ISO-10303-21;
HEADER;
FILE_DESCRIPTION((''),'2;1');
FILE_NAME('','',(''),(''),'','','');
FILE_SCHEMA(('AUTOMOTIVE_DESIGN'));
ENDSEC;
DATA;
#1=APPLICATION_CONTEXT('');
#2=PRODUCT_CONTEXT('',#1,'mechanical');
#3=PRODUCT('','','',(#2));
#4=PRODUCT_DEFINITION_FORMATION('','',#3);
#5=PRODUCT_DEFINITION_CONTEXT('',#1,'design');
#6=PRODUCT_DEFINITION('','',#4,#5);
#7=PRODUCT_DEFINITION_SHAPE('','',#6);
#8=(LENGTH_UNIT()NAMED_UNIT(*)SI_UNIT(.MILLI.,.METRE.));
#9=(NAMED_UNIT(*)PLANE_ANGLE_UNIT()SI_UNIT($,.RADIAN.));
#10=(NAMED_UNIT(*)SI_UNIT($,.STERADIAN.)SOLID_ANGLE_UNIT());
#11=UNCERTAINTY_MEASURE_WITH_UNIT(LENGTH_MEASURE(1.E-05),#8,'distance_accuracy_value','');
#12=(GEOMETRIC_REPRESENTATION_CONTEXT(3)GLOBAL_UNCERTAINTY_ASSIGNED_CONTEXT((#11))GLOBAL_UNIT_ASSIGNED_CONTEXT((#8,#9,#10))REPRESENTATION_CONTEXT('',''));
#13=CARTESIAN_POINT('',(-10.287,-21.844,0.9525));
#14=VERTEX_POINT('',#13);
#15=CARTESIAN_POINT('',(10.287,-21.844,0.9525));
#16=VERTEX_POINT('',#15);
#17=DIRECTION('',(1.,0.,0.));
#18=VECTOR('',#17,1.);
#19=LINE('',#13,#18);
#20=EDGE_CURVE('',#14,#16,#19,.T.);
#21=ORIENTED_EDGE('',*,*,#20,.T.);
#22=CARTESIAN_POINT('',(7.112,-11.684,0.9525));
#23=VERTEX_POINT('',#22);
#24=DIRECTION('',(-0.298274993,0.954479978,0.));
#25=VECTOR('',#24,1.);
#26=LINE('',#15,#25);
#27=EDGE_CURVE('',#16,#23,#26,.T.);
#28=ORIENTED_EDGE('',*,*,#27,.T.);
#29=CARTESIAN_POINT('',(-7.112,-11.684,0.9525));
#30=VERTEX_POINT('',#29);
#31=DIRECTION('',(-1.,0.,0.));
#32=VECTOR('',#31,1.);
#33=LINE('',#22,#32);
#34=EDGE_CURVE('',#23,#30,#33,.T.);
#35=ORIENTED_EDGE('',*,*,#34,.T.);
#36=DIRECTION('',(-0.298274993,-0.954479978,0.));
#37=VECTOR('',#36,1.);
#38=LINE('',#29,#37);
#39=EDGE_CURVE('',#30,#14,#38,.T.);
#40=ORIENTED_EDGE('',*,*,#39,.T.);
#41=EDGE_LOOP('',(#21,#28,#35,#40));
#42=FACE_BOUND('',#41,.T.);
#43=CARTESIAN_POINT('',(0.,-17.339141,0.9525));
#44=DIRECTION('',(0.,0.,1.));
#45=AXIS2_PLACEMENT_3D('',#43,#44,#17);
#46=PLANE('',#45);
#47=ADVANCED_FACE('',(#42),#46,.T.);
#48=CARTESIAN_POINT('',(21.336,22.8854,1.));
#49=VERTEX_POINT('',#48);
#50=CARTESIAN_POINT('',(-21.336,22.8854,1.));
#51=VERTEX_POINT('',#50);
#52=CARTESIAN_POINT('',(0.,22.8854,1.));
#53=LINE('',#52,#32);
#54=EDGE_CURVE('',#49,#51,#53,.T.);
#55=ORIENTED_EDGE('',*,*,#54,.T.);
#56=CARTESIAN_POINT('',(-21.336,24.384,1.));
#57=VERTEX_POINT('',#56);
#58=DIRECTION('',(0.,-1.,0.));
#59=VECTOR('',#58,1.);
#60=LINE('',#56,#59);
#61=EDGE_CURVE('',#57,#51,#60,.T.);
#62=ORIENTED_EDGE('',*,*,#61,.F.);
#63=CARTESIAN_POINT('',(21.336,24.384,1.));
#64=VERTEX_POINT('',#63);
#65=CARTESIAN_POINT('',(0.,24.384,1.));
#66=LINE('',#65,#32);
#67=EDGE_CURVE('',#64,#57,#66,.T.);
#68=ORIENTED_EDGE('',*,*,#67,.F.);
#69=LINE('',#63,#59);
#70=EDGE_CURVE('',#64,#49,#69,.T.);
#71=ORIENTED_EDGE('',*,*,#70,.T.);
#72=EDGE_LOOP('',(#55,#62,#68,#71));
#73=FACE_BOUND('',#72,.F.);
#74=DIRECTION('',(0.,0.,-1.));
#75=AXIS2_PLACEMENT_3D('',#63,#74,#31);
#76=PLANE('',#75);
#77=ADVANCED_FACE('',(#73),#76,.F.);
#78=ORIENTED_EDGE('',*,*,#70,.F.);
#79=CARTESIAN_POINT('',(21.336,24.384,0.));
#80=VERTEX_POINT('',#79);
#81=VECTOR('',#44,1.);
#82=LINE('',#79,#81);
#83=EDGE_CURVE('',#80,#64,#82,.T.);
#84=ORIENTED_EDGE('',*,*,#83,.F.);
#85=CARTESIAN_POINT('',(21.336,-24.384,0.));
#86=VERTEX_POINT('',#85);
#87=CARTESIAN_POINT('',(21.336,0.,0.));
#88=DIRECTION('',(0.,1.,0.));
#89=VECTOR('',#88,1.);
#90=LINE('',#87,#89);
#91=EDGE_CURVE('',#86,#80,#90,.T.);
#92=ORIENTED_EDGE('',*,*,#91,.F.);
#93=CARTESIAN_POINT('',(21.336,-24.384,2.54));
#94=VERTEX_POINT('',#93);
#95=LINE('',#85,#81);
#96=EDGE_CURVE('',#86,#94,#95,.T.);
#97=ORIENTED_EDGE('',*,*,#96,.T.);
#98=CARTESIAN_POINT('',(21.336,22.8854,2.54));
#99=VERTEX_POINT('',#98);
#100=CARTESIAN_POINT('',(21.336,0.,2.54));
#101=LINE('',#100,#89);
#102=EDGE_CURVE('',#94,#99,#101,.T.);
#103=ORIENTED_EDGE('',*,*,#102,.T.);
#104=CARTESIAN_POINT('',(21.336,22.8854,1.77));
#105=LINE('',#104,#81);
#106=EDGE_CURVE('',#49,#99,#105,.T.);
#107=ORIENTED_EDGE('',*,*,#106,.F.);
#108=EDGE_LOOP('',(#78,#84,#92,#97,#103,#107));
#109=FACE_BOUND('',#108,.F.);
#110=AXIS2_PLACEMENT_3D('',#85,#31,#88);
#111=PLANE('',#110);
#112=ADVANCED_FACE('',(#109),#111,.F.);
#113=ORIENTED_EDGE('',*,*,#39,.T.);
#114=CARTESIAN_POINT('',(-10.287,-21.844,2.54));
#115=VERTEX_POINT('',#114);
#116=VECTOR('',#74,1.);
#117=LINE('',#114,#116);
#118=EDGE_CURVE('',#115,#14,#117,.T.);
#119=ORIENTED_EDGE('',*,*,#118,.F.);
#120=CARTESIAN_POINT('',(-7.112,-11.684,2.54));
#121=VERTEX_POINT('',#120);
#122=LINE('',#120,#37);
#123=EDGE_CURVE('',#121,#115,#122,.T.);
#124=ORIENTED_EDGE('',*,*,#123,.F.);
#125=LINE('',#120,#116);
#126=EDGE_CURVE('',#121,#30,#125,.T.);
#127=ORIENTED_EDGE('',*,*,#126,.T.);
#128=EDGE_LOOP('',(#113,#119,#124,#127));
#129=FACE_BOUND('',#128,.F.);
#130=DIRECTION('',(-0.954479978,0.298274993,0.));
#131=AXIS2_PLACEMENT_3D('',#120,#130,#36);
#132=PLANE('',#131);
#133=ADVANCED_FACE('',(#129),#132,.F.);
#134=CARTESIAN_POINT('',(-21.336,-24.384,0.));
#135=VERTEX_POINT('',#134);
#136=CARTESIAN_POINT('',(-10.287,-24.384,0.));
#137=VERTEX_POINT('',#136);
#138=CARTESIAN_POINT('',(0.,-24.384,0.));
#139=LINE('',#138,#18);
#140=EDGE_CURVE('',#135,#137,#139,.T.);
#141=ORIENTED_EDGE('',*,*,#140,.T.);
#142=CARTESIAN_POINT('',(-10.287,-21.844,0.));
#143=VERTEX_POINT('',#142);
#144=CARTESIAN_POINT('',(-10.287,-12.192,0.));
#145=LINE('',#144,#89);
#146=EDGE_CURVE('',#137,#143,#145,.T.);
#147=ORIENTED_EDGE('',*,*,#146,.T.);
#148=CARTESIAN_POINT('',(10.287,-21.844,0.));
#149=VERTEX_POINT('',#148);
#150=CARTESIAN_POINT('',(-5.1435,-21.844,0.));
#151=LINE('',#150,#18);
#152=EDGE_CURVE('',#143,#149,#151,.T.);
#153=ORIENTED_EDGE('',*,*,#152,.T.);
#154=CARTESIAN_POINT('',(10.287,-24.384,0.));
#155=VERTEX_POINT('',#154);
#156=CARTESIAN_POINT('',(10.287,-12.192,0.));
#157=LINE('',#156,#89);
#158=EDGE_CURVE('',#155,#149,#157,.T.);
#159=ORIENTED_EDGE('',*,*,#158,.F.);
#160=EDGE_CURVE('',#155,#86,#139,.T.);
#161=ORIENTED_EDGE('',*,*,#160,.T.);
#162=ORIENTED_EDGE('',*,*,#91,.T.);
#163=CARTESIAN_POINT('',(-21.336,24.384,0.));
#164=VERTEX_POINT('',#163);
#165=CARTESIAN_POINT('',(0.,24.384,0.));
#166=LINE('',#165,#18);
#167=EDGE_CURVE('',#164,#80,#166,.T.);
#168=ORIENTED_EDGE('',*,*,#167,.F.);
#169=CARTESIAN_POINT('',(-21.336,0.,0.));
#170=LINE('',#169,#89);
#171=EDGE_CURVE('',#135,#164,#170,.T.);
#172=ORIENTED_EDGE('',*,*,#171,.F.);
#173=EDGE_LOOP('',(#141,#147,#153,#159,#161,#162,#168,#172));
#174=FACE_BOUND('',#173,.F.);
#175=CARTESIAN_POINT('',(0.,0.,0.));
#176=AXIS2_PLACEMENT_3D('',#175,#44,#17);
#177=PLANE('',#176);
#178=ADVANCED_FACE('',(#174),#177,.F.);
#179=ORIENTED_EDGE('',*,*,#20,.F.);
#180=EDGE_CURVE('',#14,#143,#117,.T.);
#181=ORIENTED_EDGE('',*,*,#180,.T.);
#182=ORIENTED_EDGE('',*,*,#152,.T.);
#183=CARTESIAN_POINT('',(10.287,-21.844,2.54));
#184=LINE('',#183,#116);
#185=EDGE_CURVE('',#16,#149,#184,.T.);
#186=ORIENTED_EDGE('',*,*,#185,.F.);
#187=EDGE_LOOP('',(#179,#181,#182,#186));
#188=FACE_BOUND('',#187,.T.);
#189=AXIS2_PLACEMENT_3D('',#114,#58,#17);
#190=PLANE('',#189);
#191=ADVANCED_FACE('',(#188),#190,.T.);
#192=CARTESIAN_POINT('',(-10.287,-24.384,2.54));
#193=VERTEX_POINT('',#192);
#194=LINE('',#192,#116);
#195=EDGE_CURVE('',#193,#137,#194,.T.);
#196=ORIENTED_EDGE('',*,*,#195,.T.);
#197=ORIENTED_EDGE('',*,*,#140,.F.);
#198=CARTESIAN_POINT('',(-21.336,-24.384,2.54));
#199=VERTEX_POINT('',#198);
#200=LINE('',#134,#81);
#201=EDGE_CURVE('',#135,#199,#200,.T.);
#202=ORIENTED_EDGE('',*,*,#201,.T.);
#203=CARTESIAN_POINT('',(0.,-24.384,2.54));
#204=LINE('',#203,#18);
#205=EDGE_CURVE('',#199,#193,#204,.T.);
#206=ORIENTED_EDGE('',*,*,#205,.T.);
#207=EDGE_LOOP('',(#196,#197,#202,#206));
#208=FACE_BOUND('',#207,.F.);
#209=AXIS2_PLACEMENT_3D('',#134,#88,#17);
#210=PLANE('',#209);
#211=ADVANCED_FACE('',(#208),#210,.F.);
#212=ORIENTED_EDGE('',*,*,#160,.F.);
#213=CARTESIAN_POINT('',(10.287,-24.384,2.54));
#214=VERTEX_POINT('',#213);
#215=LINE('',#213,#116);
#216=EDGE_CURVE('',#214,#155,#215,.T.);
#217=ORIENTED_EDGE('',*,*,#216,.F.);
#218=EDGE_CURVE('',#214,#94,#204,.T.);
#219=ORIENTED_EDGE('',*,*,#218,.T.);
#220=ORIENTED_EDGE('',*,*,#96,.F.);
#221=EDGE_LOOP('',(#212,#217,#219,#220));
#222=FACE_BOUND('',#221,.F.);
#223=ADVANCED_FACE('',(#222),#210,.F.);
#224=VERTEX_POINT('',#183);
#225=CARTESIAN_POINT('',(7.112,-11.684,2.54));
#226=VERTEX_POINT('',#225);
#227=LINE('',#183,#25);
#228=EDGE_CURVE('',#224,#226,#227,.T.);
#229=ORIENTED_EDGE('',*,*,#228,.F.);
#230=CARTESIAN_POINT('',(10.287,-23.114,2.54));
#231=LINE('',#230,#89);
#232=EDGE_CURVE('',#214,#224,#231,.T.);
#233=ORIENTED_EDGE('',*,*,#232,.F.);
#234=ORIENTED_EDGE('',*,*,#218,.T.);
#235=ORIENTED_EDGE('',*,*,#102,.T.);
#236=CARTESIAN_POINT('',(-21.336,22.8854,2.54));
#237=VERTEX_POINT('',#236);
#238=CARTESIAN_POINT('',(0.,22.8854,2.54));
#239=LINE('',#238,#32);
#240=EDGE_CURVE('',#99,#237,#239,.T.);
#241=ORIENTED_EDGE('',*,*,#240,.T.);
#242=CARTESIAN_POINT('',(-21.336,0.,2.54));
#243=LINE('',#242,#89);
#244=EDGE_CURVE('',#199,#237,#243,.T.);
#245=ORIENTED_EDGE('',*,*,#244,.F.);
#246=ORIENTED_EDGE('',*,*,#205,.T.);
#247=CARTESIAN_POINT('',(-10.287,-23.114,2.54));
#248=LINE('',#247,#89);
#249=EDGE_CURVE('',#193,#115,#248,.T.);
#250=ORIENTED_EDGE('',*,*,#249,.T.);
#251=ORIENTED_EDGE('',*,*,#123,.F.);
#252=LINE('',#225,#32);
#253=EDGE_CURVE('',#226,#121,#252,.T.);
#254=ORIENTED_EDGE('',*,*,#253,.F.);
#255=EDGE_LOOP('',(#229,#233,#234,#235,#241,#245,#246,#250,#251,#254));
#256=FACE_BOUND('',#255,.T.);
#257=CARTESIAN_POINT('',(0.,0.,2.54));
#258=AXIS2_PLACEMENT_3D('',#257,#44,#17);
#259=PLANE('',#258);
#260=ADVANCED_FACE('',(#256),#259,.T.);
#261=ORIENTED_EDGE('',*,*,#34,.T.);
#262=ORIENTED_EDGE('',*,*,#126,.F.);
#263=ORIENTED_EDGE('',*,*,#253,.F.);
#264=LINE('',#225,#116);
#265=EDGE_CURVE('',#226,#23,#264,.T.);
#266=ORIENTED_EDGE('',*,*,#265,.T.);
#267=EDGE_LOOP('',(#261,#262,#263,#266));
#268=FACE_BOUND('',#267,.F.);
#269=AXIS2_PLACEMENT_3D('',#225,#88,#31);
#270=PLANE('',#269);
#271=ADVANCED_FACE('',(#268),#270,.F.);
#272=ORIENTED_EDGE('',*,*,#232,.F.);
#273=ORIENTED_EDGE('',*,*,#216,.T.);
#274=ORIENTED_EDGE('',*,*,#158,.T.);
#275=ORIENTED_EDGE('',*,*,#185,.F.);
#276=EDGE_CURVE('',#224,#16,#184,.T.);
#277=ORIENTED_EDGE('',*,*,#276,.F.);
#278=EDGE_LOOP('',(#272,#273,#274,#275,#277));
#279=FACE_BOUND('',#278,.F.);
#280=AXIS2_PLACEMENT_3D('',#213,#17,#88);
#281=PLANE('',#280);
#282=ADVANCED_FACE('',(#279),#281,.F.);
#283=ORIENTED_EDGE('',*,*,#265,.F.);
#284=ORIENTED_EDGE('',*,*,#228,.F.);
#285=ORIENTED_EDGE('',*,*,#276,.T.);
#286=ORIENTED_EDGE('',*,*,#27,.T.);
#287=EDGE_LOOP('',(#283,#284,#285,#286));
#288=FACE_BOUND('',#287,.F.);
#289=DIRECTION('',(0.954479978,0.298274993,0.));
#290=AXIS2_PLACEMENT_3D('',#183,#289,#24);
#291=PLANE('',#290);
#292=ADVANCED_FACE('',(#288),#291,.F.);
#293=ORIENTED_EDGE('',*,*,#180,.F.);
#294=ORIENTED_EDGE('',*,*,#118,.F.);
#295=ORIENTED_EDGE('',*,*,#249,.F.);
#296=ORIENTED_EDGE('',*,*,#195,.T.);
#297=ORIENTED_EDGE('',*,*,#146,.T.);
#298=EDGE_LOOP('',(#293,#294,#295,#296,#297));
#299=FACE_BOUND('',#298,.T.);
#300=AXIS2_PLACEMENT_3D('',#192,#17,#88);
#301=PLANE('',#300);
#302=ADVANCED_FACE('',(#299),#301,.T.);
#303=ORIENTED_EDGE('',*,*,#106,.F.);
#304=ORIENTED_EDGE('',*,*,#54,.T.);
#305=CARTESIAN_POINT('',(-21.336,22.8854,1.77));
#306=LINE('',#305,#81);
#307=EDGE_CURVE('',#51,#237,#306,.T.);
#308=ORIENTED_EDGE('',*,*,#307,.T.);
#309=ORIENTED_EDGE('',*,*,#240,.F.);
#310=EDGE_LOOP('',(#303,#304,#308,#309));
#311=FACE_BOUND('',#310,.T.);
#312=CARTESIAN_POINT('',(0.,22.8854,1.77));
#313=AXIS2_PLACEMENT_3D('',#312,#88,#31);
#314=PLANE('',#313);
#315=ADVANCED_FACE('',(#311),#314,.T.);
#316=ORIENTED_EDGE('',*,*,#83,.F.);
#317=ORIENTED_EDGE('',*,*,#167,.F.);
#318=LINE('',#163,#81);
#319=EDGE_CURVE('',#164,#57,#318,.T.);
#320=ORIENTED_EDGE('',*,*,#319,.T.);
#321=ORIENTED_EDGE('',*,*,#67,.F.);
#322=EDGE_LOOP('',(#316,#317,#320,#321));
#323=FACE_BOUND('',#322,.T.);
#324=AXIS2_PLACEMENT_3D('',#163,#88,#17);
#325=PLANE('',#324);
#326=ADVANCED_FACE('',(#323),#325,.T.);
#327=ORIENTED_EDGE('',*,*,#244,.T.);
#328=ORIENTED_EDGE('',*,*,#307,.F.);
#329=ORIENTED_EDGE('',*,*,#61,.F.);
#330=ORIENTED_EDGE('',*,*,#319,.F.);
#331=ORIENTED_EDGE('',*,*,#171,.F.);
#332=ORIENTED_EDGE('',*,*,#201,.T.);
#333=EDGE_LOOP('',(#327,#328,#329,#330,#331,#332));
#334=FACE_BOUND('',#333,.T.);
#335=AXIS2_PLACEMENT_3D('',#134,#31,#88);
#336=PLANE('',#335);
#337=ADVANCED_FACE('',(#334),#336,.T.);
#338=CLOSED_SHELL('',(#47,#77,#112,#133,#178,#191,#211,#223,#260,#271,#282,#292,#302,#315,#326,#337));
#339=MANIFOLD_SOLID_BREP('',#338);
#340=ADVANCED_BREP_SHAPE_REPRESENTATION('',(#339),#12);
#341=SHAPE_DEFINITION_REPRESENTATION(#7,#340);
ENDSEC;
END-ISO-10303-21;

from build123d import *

# Parameters (mm, degrees)
F0_W     = 42.672
F0_H     = 48.768
F1_DEPTH = 2.54
F2_W     = 42.672
F2_H     = 1.54
F3_DEPTH = 1.4986
F4_W     = 20.574
F4_H     = 2.54
F5_DEPTH = 5.08
F7_DEPTH = 1.5875


with BuildPart() as f1:
    # F0 (on Top) → F1 (new body)
    with BuildSketch(Plane.XY):
        Rectangle(F0_W, F0_H)
    extrude(amount=F1_DEPTH)

    # F2 (on face) → F3 (cut)
    with BuildSketch(Plane(origin=(0, 24.384, 0), x_dir=(-1, 0, 0), z_dir=(0, 1, 0))):
        with Locations((0, 1.77)):
            Rectangle(F2_W, F2_H)
    extrude(amount=-F3_DEPTH, mode=Mode.SUBTRACT)

    # F4 (on face) → F5 (cut)
    with BuildSketch(Plane.XY.offset(2.54)):
        with Locations((0, -23.114)):
            Rectangle(F4_W, F4_H)
    extrude(amount=-F5_DEPTH, mode=Mode.SUBTRACT)

    # F6 (on face) → F7 (cut)
    with BuildSketch(Plane.XY.offset(2.54)):
        Polygon((-7.112, -11.684), (-10.287, -21.844), (10.287, -21.844), (7.112, -11.684), align=None)
    extrude(amount=-F7_DEPTH, mode=Mode.SUBTRACT)


solid = f1.part
